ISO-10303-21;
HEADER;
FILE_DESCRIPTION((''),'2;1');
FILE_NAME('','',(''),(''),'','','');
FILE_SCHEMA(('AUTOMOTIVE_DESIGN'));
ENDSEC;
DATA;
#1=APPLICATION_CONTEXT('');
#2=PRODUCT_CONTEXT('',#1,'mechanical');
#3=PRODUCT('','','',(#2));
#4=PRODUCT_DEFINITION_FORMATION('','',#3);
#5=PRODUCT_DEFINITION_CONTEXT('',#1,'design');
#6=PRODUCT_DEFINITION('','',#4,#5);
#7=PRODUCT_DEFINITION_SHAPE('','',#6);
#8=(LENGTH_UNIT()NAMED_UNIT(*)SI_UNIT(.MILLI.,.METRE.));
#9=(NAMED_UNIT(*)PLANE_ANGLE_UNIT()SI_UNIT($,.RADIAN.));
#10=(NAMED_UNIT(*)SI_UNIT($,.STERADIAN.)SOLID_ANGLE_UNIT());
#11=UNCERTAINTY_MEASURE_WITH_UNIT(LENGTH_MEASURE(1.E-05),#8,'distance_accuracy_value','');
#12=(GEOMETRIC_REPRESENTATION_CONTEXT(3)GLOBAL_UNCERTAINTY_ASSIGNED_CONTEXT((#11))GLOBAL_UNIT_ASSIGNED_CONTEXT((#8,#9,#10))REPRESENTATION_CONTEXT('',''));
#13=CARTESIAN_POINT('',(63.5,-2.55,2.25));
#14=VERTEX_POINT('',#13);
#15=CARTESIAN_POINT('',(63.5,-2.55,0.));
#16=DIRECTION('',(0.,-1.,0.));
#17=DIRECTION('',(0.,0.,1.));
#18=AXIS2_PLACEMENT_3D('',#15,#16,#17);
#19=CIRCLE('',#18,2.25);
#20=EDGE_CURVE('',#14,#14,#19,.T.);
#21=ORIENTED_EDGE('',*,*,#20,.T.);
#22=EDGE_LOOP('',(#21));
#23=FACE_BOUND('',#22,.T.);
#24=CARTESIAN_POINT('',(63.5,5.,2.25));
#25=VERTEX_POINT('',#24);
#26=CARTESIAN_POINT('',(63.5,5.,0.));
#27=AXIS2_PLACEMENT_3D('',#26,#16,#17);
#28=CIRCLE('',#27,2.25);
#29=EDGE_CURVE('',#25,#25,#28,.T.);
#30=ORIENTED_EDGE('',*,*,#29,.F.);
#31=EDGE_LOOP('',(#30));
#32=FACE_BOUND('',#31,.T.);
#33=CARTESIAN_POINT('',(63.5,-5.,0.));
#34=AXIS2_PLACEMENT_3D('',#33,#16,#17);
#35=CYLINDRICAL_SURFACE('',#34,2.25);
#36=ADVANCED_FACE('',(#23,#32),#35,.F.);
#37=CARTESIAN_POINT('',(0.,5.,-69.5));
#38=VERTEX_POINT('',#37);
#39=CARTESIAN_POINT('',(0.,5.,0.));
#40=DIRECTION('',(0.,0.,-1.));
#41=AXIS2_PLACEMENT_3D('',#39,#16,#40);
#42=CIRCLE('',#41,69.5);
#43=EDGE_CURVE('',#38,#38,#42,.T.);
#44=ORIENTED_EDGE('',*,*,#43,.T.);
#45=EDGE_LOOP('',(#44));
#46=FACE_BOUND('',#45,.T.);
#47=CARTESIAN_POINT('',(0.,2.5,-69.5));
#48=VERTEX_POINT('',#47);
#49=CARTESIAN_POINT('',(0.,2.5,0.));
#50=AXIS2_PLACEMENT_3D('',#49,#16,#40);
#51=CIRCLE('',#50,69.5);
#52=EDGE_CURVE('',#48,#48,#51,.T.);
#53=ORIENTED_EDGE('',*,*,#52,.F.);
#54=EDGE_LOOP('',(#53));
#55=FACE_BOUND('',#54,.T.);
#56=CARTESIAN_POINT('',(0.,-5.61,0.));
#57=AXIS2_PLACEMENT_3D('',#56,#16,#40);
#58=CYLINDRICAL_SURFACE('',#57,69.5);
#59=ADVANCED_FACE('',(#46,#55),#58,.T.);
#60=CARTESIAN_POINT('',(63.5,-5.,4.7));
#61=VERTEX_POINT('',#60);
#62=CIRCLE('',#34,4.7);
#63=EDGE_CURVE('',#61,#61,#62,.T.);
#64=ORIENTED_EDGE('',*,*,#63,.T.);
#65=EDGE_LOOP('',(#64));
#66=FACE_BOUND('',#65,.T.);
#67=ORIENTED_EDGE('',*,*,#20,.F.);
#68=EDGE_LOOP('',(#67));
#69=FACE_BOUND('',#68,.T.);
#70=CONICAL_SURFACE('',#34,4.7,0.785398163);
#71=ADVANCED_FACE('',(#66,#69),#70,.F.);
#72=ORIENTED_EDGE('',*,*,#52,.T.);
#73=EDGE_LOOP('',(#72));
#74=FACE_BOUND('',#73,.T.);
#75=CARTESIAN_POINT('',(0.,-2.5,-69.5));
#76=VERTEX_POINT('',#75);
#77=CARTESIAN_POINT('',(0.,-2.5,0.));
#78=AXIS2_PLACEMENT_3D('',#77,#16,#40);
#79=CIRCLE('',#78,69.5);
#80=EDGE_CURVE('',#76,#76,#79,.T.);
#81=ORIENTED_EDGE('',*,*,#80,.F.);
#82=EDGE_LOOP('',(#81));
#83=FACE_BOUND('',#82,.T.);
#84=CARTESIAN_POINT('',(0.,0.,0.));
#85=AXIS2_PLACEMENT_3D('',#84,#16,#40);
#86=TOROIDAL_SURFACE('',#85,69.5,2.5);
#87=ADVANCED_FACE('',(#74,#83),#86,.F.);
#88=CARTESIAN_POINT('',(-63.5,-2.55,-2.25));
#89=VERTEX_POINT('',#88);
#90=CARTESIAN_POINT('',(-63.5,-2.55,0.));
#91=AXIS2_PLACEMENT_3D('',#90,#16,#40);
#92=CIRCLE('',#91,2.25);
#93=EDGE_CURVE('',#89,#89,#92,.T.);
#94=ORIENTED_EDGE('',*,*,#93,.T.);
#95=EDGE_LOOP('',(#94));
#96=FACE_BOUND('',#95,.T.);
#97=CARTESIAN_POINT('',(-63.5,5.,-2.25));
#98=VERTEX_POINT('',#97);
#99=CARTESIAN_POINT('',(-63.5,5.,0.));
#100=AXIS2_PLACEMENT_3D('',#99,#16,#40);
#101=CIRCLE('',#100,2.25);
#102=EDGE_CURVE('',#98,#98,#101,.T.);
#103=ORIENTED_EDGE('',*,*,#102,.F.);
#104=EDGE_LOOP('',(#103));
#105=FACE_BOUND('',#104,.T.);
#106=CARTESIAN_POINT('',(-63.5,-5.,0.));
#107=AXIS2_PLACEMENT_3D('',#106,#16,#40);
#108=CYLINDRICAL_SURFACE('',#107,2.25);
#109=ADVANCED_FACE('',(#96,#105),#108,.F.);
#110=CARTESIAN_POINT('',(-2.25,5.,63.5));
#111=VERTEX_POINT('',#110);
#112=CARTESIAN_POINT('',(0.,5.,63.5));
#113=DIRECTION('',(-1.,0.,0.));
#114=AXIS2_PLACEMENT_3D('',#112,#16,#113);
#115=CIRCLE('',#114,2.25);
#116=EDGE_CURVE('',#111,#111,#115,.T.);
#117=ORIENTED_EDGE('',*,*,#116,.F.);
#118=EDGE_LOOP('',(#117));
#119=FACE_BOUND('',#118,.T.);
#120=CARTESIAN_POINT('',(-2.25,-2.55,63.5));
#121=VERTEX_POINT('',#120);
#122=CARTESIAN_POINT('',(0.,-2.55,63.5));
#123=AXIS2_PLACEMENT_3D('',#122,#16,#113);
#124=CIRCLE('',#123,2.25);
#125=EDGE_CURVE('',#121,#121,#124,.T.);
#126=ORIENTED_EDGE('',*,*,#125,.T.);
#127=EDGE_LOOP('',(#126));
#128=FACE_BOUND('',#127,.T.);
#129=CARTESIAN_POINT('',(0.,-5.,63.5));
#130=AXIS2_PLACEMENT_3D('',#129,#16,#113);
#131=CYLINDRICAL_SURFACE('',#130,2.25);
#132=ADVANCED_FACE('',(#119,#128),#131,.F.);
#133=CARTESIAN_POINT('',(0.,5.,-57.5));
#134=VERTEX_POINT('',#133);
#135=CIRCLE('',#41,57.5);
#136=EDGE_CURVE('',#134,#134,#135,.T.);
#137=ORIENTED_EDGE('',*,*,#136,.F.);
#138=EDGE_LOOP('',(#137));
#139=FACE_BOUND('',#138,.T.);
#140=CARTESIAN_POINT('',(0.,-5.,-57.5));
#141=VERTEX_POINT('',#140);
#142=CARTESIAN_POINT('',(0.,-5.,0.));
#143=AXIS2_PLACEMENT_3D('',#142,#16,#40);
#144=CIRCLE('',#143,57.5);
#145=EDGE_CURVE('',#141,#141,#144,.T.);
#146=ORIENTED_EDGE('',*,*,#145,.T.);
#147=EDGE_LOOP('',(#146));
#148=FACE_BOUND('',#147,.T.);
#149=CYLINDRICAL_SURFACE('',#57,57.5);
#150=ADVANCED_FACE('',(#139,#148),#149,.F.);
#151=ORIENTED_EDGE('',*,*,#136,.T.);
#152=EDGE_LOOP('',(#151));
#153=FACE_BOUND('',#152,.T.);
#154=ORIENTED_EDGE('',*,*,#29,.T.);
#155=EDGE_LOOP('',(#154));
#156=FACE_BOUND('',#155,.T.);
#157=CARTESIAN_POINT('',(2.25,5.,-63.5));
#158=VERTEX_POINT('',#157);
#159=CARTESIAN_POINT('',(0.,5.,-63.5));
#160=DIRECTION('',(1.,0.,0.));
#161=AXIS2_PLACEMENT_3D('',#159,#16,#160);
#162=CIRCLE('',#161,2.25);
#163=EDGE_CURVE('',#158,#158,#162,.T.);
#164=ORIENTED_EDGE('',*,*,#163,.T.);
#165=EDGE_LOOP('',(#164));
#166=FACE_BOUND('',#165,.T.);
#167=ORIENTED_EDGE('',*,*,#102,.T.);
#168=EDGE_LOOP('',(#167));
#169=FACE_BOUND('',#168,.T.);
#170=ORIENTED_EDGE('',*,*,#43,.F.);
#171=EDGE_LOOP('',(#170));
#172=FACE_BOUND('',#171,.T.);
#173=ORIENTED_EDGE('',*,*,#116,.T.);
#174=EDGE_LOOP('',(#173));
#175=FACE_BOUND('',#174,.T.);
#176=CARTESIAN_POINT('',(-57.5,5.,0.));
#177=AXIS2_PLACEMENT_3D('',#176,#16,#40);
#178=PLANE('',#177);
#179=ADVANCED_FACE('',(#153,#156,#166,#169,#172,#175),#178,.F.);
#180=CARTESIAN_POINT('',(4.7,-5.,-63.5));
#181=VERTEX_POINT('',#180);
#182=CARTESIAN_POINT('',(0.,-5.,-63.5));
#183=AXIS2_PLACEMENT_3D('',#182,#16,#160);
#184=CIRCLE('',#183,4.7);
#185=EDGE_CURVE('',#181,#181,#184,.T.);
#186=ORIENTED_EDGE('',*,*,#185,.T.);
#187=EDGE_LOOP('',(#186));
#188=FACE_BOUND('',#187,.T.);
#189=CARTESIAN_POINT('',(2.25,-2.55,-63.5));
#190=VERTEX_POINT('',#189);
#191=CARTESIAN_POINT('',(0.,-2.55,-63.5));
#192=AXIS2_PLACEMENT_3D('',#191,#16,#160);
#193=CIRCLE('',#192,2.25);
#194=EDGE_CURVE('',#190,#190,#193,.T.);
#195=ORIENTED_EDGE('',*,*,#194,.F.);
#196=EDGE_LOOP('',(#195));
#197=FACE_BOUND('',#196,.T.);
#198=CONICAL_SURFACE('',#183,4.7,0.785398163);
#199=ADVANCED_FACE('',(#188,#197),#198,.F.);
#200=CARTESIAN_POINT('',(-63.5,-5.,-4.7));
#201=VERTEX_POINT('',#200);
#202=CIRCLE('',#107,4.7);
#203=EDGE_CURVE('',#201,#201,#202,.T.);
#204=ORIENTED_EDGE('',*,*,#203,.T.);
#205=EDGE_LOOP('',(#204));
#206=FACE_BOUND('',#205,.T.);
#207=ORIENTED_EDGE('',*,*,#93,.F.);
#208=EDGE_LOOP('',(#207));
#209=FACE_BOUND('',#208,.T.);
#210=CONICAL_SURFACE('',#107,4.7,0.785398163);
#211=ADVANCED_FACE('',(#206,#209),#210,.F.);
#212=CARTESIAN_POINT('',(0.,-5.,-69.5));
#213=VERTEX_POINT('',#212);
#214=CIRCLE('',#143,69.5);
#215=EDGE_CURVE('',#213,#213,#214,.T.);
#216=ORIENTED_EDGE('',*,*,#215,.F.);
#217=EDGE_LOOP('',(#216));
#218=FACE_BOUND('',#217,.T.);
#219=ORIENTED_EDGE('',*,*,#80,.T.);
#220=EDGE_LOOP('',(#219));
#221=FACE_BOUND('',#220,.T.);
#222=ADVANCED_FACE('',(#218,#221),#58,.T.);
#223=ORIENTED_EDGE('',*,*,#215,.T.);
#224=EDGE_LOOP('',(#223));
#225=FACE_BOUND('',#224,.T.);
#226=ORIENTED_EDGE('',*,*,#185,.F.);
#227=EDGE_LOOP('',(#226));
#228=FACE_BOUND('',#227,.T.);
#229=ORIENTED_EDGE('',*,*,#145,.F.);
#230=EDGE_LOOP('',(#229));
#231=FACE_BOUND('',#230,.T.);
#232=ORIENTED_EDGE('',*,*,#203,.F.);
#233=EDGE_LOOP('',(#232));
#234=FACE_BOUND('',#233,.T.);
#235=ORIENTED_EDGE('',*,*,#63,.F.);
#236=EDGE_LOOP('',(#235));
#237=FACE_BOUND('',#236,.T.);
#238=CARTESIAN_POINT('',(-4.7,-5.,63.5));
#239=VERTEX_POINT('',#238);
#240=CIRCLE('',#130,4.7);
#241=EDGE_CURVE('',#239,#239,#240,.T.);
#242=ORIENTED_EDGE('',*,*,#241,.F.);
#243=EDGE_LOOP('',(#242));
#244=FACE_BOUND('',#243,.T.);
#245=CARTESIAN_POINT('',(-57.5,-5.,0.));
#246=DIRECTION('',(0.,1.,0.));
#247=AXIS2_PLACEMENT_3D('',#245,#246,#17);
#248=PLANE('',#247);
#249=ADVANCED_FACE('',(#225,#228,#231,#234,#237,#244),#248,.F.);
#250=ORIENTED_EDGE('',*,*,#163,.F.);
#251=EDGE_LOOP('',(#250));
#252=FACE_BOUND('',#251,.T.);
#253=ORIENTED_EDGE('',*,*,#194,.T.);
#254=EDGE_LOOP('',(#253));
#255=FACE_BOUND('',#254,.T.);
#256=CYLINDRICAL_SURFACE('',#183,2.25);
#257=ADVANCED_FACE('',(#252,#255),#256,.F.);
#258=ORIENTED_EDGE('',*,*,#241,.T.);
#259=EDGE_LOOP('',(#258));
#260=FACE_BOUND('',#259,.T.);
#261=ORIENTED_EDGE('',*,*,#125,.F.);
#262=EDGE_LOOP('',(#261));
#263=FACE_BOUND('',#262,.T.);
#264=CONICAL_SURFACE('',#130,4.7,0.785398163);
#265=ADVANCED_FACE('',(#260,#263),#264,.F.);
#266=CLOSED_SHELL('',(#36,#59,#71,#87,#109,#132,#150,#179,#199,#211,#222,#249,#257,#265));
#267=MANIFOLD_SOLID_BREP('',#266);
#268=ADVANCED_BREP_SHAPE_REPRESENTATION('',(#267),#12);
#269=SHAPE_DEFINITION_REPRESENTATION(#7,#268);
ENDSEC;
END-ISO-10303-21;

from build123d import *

# Parameters (mm, degrees)
CSK_FOR_M4_COUNTERSUNK_FLAT_HEAD_SCREW1_D           = 4.5
CSK_FOR_M4_COUNTERSUNK_FLAT_HEAD_SCREW1_CSINK_D     = 9.4
CSK_FOR_M4_COUNTERSUNK_FLAT_HEAD_SCREW1_CSINK_ANGLE = 90
CIRPATTERN1_COUNT                                   = 4


with BuildPart() as part:
    # Sketch1 → Revolve1 (revolve)
    with BuildSketch(Plane.XY, mode=Mode.PRIVATE) as revolve1_sk:
        with BuildLine():
            Line((-57.5, 5), (-57.5, -5))
            Line((-57.5, -5), (-69.5, -5))
            Line((-69.5, -5), (-69.5, -2.5))
            ThreePointArc((-69.5, -2.5), (-67, 0), (-69.5, 2.5))
            Line((-69.5, 2.5), (-69.5, 5))
            Line((-69.5, 5), (-57.5, 5))
        make_face()
    revolve(revolve1_sk.sketch.rotate(Axis((0, -5.61, 0), (0, 1, 0)), 270), axis=Axis((0, -5.61, 0), (0, 1, 0)))

    # CSK for M4 Countersunk Flat Head Screw1 (through all)
    with Locations(Plane(origin=(0, -5, 0), x_dir=(-1, 0, 0), z_dir=(0, -1, 0))):
        with Locations((63.5, 0)):
            csk_for_m4_countersunk_flat_head_screw1 = CounterSinkHole(CSK_FOR_M4_COUNTERSUNK_FLAT_HEAD_SCREW1_D / 2, CSK_FOR_M4_COUNTERSUNK_FLAT_HEAD_SCREW1_CSINK_D / 2, counter_sink_angle=CSK_FOR_M4_COUNTERSUNK_FLAT_HEAD_SCREW1_CSINK_ANGLE)

    # CirPattern1: CSK for M4 Countersunk Flat Head Screw1 ×4 about axis
    cirpattern1_axis = Axis((0, 0, 0), (0, 1, 0))
    for i in range(1, CIRPATTERN1_COUNT):
        add(csk_for_m4_countersunk_flat_head_screw1.rotate(cirpattern1_axis, i * 360 / CIRPATTERN1_COUNT), mode=Mode.SUBTRACT)


solid = part.part
